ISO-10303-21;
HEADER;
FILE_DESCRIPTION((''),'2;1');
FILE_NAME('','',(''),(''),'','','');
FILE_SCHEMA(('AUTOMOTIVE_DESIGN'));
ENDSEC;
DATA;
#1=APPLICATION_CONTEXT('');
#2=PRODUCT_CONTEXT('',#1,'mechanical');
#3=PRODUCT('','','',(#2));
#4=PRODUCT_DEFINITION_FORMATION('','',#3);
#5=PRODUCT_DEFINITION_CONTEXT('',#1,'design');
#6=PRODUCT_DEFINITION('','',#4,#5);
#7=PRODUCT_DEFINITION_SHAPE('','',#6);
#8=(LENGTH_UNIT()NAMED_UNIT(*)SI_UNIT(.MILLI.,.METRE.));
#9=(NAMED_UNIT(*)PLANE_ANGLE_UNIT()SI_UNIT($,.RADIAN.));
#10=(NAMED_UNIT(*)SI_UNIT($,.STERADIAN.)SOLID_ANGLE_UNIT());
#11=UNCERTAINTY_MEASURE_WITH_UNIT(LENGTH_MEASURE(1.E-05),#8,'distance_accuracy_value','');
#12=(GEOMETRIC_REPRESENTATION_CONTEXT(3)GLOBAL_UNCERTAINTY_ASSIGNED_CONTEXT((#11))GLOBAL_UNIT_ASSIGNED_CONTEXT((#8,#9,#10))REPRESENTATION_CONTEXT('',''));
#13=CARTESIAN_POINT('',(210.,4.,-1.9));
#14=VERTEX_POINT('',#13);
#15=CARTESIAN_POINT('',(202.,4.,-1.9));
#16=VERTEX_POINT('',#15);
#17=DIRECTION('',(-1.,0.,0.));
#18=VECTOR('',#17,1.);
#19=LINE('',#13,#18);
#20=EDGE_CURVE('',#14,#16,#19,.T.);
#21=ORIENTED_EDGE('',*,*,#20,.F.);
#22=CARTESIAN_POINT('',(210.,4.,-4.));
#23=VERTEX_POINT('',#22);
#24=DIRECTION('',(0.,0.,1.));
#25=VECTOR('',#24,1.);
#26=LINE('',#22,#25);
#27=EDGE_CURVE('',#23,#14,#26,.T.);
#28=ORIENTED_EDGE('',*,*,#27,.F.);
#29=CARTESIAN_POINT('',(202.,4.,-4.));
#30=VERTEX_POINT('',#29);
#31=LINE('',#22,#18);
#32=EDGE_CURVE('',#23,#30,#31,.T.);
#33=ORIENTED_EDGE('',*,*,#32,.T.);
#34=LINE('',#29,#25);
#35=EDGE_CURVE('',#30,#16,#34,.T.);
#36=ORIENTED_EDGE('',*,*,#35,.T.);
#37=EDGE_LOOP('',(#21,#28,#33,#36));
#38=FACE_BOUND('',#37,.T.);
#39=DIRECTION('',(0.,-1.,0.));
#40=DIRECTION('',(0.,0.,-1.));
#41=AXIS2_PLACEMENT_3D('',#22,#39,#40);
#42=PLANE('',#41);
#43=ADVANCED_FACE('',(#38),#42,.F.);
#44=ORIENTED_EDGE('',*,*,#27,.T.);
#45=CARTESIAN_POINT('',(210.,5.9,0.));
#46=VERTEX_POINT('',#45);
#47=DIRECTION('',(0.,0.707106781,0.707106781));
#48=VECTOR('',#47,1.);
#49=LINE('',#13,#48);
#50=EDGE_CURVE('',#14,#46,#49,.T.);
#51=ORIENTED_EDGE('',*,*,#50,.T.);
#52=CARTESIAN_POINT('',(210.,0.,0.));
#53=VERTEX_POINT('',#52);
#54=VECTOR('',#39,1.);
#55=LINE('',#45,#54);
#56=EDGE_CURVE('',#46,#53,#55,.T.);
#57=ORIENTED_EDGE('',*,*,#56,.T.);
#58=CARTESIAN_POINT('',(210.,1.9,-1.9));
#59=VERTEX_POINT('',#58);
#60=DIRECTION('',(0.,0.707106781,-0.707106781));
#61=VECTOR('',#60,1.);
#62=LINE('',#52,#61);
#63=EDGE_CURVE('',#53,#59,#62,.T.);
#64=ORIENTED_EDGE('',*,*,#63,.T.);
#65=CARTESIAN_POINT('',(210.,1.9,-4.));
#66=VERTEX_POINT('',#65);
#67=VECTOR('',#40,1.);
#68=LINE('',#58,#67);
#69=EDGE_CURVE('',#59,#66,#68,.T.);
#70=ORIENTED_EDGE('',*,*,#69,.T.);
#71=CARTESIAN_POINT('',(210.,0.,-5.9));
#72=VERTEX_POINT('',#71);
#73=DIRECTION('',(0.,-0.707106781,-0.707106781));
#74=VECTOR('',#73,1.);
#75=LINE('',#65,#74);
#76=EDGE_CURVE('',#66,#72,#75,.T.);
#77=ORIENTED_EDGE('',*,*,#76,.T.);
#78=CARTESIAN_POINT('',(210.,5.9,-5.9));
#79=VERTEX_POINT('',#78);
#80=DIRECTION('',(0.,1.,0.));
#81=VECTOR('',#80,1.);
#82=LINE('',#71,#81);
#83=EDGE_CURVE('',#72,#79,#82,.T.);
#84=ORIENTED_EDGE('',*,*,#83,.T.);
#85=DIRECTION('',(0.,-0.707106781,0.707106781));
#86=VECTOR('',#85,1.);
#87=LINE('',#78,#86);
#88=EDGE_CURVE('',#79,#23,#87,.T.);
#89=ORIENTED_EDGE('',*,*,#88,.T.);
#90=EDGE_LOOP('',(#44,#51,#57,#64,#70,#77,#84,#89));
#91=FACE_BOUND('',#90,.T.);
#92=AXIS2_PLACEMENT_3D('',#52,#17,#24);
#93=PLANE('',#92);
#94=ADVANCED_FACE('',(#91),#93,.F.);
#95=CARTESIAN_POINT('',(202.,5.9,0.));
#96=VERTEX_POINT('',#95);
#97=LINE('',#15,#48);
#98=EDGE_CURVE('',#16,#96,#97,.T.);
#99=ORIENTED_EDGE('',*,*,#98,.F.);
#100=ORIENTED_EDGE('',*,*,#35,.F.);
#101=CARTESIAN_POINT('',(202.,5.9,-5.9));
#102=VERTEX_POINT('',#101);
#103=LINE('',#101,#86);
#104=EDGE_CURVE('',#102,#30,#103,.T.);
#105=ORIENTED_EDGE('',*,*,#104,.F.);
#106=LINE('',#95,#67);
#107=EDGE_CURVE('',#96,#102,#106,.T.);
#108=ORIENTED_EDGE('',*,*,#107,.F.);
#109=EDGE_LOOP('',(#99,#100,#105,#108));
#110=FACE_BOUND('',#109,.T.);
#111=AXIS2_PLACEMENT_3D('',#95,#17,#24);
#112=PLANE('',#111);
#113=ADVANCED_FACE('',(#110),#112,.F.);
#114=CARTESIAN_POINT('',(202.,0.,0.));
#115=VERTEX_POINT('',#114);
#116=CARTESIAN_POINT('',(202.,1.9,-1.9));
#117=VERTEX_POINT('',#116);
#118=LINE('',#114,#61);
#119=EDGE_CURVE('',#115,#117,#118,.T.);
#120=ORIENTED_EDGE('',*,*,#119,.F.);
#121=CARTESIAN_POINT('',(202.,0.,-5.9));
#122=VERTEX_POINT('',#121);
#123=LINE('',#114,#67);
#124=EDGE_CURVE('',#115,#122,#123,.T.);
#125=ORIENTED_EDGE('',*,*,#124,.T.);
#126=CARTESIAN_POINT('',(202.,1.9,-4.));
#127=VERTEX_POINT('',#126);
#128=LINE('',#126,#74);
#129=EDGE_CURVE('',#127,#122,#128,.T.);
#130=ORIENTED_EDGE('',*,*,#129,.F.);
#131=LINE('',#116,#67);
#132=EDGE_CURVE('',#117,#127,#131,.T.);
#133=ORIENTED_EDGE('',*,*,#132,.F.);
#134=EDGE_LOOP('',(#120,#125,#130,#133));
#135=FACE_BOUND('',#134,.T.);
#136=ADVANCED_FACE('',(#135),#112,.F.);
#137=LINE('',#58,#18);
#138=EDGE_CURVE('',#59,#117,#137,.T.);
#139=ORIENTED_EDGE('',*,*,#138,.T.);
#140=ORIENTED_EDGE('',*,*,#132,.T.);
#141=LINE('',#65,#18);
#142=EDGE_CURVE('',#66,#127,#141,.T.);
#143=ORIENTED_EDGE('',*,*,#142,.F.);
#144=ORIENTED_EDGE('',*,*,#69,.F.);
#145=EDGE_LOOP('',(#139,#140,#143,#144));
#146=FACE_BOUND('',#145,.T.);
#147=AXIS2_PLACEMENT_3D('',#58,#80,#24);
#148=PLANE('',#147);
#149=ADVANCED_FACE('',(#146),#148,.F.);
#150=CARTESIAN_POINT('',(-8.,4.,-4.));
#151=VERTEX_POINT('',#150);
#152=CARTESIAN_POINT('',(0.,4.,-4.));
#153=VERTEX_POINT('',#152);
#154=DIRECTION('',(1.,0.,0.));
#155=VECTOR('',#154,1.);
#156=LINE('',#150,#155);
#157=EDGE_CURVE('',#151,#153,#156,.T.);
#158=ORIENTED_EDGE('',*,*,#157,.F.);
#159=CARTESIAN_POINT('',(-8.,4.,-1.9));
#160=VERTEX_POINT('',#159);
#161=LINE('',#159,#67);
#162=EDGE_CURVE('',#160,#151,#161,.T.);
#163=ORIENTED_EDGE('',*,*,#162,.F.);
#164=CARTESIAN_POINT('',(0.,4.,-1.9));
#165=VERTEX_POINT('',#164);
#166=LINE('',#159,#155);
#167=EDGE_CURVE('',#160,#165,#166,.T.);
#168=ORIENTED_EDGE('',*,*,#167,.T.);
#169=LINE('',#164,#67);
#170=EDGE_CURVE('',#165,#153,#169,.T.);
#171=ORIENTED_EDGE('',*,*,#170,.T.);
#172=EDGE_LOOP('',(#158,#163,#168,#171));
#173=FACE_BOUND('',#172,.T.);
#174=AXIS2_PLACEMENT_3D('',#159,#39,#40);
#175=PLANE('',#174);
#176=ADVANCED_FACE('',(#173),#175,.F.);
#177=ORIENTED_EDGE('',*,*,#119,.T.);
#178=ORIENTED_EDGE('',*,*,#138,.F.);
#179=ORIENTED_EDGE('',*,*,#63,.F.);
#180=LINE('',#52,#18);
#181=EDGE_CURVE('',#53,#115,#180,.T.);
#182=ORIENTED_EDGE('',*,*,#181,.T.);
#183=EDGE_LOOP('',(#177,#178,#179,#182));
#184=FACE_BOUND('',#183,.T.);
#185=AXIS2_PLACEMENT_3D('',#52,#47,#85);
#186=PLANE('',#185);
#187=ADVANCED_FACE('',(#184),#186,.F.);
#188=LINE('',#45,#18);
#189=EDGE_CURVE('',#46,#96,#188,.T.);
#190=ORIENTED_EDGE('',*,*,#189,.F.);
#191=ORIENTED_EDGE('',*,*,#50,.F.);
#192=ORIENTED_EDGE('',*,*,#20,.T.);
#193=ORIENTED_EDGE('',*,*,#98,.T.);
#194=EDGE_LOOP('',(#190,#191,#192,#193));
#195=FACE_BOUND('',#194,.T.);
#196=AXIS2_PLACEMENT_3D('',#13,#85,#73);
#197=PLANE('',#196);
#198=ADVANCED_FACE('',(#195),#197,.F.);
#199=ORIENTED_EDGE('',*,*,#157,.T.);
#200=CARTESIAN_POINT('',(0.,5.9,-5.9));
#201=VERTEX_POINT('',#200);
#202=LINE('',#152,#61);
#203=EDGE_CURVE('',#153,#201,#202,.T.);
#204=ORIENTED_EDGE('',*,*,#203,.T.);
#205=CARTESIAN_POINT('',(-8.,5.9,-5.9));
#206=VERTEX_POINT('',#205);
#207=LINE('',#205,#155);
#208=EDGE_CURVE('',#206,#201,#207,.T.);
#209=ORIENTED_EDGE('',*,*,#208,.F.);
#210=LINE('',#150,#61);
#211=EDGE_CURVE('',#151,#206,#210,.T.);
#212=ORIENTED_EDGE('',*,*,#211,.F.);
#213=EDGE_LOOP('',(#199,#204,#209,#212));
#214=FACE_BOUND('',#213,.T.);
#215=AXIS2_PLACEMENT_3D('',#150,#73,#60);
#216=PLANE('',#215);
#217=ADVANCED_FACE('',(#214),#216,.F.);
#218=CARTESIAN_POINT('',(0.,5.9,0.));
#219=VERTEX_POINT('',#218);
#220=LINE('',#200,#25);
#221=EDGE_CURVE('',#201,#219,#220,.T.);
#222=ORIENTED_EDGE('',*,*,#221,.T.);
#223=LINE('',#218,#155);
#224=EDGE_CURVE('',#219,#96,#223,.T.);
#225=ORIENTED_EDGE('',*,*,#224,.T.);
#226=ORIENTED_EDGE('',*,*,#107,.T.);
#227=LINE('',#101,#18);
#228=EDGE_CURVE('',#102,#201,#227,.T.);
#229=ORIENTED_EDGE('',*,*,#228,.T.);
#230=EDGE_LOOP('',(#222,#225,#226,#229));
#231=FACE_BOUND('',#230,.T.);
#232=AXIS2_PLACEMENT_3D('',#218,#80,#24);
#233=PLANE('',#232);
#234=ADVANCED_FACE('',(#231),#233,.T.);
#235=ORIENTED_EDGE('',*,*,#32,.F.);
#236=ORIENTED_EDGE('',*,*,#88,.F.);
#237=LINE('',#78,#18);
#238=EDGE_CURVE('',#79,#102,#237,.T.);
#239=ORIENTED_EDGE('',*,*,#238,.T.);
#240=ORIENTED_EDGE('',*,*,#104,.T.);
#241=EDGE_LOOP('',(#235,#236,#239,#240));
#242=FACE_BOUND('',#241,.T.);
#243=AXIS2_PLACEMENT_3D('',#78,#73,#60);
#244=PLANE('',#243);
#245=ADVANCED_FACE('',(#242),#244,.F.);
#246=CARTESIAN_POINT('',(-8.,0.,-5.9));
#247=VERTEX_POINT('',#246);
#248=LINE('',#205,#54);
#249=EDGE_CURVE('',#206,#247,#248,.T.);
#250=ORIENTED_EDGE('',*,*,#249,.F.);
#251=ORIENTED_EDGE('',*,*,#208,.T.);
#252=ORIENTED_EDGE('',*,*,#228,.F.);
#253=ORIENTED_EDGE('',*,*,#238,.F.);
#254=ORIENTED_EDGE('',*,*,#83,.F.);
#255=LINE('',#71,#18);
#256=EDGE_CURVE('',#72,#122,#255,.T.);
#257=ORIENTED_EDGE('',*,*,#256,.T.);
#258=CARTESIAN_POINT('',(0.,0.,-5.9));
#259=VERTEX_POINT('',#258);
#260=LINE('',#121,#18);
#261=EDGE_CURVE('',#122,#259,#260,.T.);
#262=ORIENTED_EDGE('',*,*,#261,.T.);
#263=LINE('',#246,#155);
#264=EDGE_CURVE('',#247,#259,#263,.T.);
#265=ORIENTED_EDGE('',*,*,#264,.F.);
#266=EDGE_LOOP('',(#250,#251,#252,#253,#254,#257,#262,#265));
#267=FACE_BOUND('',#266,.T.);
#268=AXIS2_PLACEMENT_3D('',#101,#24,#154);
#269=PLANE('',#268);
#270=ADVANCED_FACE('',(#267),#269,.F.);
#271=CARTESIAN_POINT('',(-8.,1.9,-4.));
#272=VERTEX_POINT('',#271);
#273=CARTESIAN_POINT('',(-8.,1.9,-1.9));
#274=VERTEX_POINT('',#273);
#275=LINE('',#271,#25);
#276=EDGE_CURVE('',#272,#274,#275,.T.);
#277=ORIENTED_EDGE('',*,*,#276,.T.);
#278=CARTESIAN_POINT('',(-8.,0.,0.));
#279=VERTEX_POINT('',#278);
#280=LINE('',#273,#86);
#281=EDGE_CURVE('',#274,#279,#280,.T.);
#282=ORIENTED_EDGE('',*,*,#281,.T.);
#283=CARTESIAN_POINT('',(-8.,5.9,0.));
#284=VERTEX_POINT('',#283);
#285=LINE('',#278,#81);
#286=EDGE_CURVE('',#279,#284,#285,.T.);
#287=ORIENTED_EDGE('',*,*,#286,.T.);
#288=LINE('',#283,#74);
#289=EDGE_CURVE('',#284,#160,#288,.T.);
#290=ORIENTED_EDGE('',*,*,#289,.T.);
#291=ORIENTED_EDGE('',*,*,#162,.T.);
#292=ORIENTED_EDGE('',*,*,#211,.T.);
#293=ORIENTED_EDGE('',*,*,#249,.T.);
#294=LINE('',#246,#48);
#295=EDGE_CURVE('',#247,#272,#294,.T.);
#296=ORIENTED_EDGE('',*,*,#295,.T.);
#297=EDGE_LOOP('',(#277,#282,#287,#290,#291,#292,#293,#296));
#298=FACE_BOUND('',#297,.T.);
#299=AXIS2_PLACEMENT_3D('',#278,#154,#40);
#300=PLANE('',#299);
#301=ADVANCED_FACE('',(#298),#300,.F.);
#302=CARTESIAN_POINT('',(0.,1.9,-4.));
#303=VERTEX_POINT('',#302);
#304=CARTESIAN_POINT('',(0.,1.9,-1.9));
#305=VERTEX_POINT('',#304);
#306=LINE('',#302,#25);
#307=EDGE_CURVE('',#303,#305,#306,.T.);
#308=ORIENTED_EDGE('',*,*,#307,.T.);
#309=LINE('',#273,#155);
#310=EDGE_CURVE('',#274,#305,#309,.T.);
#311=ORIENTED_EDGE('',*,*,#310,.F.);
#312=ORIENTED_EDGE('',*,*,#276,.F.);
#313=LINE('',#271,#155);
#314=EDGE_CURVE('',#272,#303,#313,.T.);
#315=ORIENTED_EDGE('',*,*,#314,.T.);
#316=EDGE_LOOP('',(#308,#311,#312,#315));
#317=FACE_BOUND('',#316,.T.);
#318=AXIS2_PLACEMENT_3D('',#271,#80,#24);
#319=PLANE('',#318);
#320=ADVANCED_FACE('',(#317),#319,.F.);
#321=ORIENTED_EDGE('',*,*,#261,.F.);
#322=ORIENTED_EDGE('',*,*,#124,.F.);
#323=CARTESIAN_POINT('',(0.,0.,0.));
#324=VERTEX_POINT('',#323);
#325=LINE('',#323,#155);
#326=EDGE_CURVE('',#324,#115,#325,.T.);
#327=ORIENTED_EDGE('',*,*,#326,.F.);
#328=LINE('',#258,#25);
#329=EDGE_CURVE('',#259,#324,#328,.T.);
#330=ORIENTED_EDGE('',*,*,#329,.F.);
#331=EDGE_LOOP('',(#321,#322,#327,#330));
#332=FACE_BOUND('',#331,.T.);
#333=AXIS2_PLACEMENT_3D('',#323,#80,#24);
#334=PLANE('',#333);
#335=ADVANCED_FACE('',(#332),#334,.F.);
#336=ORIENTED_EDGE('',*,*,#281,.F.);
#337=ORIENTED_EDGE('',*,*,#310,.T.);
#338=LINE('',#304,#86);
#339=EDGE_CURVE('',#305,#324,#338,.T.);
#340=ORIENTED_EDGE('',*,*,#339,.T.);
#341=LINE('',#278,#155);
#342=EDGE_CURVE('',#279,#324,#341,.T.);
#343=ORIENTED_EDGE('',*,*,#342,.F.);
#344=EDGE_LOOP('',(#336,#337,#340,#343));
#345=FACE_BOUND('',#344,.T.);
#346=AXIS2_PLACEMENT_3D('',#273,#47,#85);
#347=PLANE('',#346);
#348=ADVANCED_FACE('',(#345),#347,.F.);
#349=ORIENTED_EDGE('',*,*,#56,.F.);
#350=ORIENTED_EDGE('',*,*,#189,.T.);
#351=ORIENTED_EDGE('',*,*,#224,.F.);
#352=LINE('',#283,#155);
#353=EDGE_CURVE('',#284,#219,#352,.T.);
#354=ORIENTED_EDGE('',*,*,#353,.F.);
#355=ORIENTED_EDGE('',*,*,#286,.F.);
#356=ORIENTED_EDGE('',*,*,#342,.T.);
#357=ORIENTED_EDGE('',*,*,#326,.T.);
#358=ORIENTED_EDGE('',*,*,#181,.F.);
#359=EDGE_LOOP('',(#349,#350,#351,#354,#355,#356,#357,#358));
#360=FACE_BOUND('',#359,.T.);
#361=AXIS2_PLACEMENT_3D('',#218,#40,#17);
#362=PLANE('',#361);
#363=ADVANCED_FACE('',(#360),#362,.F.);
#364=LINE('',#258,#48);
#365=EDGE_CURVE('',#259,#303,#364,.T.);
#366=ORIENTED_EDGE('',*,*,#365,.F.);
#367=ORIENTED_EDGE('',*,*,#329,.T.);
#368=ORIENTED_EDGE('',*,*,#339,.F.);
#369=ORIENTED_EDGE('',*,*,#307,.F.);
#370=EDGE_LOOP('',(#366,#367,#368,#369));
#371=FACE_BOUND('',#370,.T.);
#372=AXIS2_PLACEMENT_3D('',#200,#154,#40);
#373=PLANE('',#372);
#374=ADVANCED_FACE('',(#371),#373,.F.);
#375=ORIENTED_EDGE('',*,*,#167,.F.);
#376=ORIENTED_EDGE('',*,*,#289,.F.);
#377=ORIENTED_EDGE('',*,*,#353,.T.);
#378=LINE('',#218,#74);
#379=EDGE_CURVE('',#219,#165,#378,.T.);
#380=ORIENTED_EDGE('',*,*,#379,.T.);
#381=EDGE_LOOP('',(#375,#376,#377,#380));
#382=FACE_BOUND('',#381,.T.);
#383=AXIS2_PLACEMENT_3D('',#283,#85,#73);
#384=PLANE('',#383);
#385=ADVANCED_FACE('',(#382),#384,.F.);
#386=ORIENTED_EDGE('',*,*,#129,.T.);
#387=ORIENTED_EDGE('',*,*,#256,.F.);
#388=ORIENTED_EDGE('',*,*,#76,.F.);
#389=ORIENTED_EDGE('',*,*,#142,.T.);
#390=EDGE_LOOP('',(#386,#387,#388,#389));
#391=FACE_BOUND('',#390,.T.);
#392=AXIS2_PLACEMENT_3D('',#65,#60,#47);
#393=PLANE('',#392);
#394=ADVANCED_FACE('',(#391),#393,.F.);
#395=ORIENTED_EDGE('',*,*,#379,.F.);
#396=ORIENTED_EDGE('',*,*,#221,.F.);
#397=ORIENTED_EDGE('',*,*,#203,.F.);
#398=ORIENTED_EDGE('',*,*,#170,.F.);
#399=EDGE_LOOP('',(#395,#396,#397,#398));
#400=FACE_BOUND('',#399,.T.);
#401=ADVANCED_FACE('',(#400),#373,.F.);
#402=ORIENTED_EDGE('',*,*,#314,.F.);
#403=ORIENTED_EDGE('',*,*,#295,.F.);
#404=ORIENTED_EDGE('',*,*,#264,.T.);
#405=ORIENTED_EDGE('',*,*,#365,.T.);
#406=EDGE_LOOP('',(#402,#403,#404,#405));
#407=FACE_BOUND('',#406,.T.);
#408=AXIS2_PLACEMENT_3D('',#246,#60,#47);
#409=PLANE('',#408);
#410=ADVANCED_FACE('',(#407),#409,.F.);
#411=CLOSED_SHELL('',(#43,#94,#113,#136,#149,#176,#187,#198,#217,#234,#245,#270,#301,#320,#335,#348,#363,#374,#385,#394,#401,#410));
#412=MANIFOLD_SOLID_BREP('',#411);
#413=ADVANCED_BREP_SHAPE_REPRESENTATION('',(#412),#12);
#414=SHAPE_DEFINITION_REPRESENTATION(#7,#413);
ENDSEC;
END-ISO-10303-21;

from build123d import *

# Parameters (mm, degrees)
SKICA1_W                = 202
SKICA1_H                = 5.9
P_IDAT_VYSUNUT_M1_DEPTH = 5.9
P_IDAT_VYSUNUT_M2_DEPTH = 8
P_IDAT_VYSUNUT_M3_DEPTH = 8


with BuildPart() as part:
    # Skica1 → Přidat vysunutím1 (new body)
    with BuildSketch(Plane(origin=(0, 0, 0), x_dir=(1, 0, 0), z_dir=(0, 1, 0))):
        with Locations((101, 2.95)):
            Rectangle(SKICA1_W, SKICA1_H)
    extrude(amount=P_IDAT_VYSUNUT_M1_DEPTH)

    # Skica2 → Přidat vysunutím2 (add)
    with BuildSketch(Plane.ZY):
        Polygon((-5.9, 5.9), (-5.9, 0), (-4, 1.9), (-1.9, 1.9), (0, 0), (0, 5.9), (-1.9, 4), (-4, 4), align=None)
    extrude(amount=P_IDAT_VYSUNUT_M2_DEPTH)

    # Skica3 → Přidat vysunutím3 (add)
    with BuildSketch(Plane(origin=(202, 0, 0), x_dir=(0, 0, -1), z_dir=(1, 0, 0))):
        Polygon((0, 5.9), (0, 0), (1.9, 1.9), (4, 1.9), (5.9, 0), (5.9, 5.9), (4, 4), (1.9, 4), align=None)
    extrude(amount=P_IDAT_VYSUNUT_M3_DEPTH)


solid = part.part
